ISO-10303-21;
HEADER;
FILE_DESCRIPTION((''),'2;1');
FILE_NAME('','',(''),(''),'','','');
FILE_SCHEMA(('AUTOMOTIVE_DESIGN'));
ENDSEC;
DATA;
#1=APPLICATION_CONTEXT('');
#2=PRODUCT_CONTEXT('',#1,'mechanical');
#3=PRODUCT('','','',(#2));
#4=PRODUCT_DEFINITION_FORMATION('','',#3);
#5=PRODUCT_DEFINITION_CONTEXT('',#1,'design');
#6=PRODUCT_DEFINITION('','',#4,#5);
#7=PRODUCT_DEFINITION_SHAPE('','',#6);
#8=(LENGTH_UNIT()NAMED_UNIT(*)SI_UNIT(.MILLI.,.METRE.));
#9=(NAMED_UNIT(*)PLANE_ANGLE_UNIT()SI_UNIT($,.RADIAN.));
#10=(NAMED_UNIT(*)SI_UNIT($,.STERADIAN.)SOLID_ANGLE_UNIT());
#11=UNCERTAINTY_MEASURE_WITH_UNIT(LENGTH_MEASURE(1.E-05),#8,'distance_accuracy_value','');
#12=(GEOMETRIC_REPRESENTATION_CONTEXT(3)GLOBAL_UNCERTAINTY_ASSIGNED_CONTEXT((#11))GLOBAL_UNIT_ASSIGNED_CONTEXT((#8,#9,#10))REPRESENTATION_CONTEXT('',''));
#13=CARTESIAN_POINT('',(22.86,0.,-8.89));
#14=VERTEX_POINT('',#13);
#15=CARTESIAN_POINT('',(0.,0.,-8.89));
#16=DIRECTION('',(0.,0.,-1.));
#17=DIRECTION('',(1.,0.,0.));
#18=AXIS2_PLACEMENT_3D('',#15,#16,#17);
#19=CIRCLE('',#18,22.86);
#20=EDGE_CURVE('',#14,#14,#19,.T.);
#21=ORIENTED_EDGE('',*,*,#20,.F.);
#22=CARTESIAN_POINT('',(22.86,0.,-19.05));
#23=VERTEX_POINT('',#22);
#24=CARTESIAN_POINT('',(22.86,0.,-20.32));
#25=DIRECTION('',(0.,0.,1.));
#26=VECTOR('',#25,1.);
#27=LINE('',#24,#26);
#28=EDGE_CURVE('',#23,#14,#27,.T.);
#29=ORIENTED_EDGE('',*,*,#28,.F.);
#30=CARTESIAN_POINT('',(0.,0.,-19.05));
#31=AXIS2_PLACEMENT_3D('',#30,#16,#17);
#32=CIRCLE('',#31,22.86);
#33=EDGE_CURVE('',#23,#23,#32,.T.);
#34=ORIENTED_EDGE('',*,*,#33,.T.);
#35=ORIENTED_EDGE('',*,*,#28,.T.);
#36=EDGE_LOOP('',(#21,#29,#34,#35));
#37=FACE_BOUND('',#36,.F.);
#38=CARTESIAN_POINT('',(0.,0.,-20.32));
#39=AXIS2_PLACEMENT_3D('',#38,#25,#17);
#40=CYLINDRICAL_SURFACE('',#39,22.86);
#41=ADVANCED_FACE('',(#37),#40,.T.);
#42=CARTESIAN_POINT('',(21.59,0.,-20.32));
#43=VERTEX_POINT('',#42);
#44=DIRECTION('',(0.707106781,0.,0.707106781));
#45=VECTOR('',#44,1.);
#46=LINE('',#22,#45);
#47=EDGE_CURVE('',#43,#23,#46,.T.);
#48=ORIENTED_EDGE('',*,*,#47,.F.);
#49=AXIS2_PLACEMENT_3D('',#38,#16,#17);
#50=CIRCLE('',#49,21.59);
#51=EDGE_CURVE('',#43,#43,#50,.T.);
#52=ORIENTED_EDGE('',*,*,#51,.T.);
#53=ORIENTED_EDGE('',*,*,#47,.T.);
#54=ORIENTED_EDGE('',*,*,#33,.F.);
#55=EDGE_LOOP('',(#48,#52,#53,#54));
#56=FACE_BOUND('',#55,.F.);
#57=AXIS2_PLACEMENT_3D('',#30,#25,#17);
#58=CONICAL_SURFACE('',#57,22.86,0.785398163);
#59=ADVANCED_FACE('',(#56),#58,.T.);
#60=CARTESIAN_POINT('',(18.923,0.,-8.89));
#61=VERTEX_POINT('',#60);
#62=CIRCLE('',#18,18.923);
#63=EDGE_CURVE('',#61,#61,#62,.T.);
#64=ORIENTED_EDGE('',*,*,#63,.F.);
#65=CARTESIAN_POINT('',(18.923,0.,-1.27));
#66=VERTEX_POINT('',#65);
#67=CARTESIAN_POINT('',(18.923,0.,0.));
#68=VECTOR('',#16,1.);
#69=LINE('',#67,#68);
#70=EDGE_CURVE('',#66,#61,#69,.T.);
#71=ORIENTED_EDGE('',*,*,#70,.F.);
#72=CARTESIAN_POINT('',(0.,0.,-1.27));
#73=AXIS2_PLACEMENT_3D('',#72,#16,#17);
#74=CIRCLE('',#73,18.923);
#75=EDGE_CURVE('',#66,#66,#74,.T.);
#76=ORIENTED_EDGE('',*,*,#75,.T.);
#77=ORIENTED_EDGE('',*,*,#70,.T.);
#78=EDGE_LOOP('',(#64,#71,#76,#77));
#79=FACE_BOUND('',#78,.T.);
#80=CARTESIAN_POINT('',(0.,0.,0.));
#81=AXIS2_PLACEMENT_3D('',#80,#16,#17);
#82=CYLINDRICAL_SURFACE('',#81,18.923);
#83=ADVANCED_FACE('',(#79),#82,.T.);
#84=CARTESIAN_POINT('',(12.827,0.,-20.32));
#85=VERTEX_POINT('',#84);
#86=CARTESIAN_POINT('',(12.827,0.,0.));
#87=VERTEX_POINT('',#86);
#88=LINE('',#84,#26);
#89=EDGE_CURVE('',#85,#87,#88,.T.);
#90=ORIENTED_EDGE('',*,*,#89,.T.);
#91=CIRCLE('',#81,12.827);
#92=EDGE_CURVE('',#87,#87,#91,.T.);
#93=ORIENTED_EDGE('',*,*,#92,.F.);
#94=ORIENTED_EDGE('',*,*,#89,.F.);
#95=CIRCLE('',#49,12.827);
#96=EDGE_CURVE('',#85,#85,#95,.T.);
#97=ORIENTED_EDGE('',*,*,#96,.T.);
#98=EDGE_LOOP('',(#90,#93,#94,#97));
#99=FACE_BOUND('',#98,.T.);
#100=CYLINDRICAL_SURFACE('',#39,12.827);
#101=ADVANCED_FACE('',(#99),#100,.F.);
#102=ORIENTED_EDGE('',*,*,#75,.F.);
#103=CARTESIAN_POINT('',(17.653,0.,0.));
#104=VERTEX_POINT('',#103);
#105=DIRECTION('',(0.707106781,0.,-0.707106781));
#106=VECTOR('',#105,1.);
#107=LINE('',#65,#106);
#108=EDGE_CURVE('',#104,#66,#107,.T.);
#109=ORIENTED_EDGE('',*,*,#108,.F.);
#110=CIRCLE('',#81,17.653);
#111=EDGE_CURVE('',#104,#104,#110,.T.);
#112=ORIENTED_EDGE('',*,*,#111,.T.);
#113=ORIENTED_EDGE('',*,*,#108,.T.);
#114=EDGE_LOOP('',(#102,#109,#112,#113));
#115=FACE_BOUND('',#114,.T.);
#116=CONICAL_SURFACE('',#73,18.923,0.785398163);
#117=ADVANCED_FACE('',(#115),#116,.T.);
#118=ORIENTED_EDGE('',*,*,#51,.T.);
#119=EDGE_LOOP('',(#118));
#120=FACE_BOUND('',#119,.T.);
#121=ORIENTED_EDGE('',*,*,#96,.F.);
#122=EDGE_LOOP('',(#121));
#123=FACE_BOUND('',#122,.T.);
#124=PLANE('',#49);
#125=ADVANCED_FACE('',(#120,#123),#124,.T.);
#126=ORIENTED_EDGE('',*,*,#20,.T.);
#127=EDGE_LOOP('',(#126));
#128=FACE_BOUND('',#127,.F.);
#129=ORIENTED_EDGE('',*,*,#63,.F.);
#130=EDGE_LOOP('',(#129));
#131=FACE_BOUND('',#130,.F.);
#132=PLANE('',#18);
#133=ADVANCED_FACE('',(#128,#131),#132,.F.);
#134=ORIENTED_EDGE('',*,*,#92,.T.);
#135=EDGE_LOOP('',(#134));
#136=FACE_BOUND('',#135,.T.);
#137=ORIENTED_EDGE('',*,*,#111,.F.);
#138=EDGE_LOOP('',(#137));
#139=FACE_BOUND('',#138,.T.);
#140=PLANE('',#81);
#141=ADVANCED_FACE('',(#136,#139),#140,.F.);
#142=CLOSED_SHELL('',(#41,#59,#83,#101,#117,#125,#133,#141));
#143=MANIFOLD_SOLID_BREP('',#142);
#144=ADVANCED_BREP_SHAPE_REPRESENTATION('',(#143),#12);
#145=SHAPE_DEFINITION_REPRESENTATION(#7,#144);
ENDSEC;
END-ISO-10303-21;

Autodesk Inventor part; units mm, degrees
ref_plane "YZ Plane" through (0, 0, 0) normal (1, 0, 0) x (0, 1, 0)
ref_plane "XZ Plane" through (0, 0, 0) normal (0, 1, 0) x (-1, 0, 0)
ref_plane "XY Plane" through (0, 0, 0) normal (0, 0, 1) x (1, 0, 0)
sketch "Sketch1" plane through (0, 0, 0) normal (0, 1, 0) x (-1, 0, 0)
  line L0 (0, 0) -> (0, -25.0217)
  line L1 (-12.827, 0) -> (-18.923, 0)
  line L2 (-18.923, 0) -> (-18.923, -20.32)
  line L3 (-18.923, -20.32) -> (-12.827, -20.32)
  line L4 (-12.827, -20.32) -> (-12.827, 0)
  line L5 (-18.923, -20.32) -> (-22.86, -20.32)
  line L6 (-22.86, -20.32) -> (-22.86, -8.89)
  line L7 (-22.86, -8.89) -> (-18.923, -8.89)
  line L8 (-18.923, -8.89) -> (-18.923, -20.32)
  dimension "d0" = 25.654
  dimension "d1" = 20.32
  dimension "d2" = 8.89
  dimension "d3" = 37.846
  dimension "d4" = 45.72
revolve "Revolution1" add sketch "Sketch1" angle 360 about axis through (0, 0, 0) along (0, 0, -1)
chamfer "Chamfer1" distance 1.27 angle 45 2 edges at (-18.923, 0, 0) (-22.86, 0, -20.32)
properties part number "Collar" material "Nylon 6/6"
